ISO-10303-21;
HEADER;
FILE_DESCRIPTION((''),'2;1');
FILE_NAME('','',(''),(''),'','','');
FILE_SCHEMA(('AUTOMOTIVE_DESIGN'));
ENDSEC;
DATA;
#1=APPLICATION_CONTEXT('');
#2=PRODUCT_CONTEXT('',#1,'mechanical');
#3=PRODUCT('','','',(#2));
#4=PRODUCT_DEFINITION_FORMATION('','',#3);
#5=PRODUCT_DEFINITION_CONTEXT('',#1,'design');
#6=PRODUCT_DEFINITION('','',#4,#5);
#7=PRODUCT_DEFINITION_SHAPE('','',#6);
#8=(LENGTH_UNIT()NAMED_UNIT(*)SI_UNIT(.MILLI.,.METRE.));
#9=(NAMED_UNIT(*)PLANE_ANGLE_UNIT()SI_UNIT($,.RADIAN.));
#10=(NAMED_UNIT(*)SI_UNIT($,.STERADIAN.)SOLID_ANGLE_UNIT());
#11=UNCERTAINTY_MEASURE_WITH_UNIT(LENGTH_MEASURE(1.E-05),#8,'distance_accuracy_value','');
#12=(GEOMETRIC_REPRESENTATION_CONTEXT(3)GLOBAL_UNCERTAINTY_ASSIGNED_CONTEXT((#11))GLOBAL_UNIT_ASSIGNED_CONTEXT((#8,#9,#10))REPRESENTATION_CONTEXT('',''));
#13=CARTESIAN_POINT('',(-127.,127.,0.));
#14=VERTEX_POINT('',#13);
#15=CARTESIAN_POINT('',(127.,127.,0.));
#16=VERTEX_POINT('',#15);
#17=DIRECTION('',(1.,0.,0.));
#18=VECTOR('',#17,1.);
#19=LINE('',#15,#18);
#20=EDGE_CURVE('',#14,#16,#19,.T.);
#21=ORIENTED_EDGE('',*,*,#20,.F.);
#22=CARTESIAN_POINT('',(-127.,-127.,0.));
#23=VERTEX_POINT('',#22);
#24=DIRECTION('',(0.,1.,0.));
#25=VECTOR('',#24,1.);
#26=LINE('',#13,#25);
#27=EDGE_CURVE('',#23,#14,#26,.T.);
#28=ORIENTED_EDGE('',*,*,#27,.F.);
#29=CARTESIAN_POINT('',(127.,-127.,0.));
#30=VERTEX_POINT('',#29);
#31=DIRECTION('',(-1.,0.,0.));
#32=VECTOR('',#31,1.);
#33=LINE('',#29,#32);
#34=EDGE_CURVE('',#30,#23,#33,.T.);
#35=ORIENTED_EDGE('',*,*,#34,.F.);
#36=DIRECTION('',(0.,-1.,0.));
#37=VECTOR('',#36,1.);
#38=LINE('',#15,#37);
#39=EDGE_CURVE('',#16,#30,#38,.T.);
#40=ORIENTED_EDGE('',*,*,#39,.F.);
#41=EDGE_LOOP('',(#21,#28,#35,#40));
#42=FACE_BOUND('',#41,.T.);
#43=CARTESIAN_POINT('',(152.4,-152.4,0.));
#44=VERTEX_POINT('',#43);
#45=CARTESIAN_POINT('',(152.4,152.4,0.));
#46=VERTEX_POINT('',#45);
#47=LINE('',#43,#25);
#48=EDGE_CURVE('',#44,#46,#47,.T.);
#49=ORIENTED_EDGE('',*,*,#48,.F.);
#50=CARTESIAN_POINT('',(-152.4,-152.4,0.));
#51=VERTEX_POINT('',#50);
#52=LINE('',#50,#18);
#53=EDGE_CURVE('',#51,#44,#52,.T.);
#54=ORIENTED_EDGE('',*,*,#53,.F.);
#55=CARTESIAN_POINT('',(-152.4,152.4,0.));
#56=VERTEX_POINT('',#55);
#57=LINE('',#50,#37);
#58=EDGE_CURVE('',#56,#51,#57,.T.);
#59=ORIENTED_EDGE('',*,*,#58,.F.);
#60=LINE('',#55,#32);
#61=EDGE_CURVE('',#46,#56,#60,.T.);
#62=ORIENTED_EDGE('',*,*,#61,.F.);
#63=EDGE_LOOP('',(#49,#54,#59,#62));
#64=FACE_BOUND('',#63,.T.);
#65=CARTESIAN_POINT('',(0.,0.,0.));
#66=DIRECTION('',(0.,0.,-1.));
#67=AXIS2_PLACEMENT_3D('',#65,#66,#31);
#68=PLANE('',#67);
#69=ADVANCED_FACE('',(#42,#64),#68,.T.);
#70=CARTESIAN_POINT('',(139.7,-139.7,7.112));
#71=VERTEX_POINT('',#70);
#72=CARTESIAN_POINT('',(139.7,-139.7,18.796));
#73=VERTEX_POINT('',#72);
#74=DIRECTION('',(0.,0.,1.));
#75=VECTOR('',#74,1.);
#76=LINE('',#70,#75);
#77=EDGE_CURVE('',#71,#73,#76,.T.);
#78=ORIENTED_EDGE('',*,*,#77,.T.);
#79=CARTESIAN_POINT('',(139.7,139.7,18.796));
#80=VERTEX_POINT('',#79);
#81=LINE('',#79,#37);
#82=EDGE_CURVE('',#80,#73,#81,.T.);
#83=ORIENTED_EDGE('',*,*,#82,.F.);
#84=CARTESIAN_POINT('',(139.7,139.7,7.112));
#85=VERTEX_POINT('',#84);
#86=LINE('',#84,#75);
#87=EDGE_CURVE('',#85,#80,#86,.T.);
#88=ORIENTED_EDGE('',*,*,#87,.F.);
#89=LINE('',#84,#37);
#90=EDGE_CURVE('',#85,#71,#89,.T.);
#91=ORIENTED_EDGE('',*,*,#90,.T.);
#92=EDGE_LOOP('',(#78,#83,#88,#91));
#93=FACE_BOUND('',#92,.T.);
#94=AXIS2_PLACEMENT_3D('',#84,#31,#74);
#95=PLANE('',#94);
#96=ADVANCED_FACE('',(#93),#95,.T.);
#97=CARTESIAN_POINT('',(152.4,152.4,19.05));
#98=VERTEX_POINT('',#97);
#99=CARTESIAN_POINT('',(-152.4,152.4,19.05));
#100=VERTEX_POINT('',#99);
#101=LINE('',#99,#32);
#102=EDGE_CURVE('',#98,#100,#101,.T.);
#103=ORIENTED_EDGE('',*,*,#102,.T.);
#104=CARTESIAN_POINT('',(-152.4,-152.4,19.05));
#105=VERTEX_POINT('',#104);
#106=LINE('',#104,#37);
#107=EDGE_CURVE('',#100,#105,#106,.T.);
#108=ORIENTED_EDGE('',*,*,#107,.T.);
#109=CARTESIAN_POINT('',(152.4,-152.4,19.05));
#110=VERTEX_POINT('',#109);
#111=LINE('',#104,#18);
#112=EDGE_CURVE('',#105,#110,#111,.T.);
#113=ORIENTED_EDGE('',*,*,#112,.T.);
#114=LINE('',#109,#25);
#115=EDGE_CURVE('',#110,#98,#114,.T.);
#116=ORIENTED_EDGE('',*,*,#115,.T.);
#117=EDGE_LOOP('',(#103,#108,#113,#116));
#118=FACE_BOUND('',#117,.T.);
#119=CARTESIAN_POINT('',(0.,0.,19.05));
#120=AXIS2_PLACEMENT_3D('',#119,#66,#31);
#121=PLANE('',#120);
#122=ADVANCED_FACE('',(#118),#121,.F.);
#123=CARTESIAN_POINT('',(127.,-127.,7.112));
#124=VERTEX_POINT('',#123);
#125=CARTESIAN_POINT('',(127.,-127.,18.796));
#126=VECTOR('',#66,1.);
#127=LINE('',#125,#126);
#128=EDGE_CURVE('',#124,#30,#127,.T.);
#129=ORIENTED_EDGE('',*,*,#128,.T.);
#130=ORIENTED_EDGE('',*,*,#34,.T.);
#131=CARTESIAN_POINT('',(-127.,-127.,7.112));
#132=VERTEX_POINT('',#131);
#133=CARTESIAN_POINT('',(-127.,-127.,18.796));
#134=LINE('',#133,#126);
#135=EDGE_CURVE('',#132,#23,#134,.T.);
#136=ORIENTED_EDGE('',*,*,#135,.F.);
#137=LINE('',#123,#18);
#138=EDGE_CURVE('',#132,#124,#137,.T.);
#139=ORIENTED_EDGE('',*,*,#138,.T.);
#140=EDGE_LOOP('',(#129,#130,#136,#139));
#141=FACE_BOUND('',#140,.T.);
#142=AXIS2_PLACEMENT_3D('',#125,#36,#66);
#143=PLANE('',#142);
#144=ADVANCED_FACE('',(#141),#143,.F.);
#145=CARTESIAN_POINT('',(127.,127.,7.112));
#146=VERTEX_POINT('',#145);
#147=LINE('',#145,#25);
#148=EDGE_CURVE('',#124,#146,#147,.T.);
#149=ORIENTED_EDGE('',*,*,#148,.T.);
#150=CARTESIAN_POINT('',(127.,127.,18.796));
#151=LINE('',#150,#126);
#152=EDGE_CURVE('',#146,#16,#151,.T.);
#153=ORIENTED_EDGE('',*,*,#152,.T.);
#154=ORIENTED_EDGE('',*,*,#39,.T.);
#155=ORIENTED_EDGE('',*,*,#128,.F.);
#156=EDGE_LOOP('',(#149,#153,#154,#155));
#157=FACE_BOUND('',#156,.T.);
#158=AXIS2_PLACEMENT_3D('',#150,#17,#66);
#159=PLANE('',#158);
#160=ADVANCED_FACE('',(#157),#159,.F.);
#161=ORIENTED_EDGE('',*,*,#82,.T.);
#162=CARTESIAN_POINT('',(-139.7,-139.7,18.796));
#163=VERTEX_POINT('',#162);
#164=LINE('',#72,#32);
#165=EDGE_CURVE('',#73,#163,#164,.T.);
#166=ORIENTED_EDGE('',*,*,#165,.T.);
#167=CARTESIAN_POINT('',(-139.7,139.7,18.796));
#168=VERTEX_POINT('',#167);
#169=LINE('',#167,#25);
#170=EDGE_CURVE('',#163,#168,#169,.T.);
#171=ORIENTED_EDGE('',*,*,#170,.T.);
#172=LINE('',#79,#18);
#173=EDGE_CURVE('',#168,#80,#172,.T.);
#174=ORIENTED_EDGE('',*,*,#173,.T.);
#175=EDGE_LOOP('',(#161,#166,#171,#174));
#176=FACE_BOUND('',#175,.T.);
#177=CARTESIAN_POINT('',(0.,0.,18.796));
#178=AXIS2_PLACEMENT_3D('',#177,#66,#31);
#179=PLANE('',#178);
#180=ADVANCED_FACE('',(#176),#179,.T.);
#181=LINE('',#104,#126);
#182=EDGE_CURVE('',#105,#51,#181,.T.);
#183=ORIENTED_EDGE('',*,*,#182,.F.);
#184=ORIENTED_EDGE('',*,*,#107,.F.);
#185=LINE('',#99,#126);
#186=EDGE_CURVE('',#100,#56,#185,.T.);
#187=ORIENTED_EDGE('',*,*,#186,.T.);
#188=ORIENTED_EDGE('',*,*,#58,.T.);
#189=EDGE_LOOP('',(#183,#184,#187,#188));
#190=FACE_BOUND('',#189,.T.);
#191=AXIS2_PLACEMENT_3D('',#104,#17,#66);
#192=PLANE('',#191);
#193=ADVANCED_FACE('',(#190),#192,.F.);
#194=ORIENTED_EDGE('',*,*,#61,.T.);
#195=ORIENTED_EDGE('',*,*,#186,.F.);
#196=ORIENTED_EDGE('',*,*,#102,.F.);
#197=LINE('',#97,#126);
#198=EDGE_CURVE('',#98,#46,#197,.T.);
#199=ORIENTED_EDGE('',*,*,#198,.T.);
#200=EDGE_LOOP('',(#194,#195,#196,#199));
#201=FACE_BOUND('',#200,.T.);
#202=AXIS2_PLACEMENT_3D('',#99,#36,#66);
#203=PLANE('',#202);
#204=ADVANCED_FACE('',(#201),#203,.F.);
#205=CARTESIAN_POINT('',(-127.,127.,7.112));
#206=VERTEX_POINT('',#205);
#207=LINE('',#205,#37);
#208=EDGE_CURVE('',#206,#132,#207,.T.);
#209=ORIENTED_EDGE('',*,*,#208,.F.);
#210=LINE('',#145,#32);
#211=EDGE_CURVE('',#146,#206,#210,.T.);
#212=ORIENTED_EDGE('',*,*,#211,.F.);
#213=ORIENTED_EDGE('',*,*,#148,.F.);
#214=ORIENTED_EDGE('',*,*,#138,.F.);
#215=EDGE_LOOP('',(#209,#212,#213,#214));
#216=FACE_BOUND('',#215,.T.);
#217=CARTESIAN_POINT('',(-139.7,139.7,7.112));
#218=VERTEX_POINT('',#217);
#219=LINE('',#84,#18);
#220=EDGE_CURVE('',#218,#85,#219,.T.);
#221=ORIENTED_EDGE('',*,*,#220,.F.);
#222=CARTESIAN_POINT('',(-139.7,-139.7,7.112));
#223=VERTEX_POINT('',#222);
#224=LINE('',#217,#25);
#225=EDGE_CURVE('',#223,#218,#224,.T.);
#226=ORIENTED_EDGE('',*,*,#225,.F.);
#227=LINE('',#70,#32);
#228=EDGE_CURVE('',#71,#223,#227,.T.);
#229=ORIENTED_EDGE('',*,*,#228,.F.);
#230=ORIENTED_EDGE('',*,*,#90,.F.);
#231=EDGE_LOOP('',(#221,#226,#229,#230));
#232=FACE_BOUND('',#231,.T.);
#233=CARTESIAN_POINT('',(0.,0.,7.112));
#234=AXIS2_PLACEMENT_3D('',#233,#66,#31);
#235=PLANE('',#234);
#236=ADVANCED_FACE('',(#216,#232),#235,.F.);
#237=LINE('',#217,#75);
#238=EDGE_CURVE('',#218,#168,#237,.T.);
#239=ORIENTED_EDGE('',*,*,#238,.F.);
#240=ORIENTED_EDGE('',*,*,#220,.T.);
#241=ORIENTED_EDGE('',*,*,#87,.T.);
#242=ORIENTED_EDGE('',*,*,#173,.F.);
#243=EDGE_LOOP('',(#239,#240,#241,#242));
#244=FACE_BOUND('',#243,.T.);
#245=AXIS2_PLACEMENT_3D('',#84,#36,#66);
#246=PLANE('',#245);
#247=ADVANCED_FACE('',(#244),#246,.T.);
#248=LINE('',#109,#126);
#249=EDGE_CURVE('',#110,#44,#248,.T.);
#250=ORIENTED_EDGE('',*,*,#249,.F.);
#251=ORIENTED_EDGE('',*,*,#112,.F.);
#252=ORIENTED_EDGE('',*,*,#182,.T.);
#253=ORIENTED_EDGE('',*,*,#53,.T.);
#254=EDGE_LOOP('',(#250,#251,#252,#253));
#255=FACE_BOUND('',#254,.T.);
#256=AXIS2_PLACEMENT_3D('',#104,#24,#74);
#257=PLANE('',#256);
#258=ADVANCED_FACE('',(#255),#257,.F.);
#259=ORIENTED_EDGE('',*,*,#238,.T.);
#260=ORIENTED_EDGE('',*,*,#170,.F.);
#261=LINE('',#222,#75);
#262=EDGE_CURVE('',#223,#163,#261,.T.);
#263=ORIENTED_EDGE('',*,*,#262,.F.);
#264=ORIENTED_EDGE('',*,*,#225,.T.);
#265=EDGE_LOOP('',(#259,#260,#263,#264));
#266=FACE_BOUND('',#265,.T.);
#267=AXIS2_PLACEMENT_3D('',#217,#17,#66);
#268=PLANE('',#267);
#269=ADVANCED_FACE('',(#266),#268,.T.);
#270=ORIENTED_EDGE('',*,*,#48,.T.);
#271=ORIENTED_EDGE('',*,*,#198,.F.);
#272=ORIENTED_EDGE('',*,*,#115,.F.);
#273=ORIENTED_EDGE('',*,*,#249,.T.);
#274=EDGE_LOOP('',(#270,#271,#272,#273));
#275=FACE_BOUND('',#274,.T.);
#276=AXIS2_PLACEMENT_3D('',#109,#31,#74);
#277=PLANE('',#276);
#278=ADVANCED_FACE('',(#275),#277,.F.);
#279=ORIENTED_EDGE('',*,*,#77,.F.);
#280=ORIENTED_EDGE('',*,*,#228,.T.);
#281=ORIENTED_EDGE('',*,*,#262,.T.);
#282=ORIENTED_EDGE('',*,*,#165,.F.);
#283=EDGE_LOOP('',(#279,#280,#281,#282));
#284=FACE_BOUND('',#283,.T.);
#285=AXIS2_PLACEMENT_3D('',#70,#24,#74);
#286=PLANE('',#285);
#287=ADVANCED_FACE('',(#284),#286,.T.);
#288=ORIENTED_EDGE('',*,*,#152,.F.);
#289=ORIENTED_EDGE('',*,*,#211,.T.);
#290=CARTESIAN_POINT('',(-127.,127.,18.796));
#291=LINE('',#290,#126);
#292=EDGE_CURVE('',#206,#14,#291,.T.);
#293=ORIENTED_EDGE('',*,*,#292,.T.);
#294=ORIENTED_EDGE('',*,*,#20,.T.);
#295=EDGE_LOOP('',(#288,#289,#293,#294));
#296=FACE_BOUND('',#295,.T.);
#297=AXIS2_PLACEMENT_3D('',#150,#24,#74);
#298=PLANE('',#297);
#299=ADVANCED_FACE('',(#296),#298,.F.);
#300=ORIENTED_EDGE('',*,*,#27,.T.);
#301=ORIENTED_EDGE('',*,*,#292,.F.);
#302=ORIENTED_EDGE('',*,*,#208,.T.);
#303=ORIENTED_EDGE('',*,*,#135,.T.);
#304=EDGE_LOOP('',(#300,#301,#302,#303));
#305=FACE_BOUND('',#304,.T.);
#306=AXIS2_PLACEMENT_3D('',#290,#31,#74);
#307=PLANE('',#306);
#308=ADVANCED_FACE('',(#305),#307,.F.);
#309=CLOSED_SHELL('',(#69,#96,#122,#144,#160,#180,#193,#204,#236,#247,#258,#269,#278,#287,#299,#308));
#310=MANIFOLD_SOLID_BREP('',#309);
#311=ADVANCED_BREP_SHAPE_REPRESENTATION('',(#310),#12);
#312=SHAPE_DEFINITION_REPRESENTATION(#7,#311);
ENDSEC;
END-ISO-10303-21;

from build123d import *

# Parameters (mm, degrees)
SKETCH1_W           = 304.8
SKETCH1_H           = 304.8
BOSS_EXTRUDE1_DEPTH = 19.05
SKETCH2_W           = 254
SKETCH2_H           = 254
CUT_EXTRUDE1_DEPTH  = 18.796
SKETCH3_W           = 279.4
SKETCH3_H           = 279.4
CUT_EXTRUDE2_DEPTH  = 11.684


with BuildPart() as part:
    # Sketch1 → Boss-Extrude1 (new body)
    with BuildSketch(Plane.XY):
        Rectangle(SKETCH1_W, SKETCH1_H)
    extrude(amount=BOSS_EXTRUDE1_DEPTH)

    # Sketch2 → Cut-Extrude1 (cut)
    with BuildSketch(Plane(origin=(0, 0, 0), x_dir=(-1, 0, 0), z_dir=(0, 0, -1))):
        Rectangle(SKETCH2_W, SKETCH2_H)
    extrude(amount=-CUT_EXTRUDE1_DEPTH, mode=Mode.SUBTRACT)

    # Sketch3 → Cut-Extrude2 (cut)
    with BuildSketch(Plane(origin=(0, 0, 18.796), x_dir=(-1, 0, 0), z_dir=(0, 0, -1))):
        Rectangle(SKETCH3_W, SKETCH3_H)
    extrude(amount=CUT_EXTRUDE2_DEPTH, mode=Mode.SUBTRACT)


solid = part.part
